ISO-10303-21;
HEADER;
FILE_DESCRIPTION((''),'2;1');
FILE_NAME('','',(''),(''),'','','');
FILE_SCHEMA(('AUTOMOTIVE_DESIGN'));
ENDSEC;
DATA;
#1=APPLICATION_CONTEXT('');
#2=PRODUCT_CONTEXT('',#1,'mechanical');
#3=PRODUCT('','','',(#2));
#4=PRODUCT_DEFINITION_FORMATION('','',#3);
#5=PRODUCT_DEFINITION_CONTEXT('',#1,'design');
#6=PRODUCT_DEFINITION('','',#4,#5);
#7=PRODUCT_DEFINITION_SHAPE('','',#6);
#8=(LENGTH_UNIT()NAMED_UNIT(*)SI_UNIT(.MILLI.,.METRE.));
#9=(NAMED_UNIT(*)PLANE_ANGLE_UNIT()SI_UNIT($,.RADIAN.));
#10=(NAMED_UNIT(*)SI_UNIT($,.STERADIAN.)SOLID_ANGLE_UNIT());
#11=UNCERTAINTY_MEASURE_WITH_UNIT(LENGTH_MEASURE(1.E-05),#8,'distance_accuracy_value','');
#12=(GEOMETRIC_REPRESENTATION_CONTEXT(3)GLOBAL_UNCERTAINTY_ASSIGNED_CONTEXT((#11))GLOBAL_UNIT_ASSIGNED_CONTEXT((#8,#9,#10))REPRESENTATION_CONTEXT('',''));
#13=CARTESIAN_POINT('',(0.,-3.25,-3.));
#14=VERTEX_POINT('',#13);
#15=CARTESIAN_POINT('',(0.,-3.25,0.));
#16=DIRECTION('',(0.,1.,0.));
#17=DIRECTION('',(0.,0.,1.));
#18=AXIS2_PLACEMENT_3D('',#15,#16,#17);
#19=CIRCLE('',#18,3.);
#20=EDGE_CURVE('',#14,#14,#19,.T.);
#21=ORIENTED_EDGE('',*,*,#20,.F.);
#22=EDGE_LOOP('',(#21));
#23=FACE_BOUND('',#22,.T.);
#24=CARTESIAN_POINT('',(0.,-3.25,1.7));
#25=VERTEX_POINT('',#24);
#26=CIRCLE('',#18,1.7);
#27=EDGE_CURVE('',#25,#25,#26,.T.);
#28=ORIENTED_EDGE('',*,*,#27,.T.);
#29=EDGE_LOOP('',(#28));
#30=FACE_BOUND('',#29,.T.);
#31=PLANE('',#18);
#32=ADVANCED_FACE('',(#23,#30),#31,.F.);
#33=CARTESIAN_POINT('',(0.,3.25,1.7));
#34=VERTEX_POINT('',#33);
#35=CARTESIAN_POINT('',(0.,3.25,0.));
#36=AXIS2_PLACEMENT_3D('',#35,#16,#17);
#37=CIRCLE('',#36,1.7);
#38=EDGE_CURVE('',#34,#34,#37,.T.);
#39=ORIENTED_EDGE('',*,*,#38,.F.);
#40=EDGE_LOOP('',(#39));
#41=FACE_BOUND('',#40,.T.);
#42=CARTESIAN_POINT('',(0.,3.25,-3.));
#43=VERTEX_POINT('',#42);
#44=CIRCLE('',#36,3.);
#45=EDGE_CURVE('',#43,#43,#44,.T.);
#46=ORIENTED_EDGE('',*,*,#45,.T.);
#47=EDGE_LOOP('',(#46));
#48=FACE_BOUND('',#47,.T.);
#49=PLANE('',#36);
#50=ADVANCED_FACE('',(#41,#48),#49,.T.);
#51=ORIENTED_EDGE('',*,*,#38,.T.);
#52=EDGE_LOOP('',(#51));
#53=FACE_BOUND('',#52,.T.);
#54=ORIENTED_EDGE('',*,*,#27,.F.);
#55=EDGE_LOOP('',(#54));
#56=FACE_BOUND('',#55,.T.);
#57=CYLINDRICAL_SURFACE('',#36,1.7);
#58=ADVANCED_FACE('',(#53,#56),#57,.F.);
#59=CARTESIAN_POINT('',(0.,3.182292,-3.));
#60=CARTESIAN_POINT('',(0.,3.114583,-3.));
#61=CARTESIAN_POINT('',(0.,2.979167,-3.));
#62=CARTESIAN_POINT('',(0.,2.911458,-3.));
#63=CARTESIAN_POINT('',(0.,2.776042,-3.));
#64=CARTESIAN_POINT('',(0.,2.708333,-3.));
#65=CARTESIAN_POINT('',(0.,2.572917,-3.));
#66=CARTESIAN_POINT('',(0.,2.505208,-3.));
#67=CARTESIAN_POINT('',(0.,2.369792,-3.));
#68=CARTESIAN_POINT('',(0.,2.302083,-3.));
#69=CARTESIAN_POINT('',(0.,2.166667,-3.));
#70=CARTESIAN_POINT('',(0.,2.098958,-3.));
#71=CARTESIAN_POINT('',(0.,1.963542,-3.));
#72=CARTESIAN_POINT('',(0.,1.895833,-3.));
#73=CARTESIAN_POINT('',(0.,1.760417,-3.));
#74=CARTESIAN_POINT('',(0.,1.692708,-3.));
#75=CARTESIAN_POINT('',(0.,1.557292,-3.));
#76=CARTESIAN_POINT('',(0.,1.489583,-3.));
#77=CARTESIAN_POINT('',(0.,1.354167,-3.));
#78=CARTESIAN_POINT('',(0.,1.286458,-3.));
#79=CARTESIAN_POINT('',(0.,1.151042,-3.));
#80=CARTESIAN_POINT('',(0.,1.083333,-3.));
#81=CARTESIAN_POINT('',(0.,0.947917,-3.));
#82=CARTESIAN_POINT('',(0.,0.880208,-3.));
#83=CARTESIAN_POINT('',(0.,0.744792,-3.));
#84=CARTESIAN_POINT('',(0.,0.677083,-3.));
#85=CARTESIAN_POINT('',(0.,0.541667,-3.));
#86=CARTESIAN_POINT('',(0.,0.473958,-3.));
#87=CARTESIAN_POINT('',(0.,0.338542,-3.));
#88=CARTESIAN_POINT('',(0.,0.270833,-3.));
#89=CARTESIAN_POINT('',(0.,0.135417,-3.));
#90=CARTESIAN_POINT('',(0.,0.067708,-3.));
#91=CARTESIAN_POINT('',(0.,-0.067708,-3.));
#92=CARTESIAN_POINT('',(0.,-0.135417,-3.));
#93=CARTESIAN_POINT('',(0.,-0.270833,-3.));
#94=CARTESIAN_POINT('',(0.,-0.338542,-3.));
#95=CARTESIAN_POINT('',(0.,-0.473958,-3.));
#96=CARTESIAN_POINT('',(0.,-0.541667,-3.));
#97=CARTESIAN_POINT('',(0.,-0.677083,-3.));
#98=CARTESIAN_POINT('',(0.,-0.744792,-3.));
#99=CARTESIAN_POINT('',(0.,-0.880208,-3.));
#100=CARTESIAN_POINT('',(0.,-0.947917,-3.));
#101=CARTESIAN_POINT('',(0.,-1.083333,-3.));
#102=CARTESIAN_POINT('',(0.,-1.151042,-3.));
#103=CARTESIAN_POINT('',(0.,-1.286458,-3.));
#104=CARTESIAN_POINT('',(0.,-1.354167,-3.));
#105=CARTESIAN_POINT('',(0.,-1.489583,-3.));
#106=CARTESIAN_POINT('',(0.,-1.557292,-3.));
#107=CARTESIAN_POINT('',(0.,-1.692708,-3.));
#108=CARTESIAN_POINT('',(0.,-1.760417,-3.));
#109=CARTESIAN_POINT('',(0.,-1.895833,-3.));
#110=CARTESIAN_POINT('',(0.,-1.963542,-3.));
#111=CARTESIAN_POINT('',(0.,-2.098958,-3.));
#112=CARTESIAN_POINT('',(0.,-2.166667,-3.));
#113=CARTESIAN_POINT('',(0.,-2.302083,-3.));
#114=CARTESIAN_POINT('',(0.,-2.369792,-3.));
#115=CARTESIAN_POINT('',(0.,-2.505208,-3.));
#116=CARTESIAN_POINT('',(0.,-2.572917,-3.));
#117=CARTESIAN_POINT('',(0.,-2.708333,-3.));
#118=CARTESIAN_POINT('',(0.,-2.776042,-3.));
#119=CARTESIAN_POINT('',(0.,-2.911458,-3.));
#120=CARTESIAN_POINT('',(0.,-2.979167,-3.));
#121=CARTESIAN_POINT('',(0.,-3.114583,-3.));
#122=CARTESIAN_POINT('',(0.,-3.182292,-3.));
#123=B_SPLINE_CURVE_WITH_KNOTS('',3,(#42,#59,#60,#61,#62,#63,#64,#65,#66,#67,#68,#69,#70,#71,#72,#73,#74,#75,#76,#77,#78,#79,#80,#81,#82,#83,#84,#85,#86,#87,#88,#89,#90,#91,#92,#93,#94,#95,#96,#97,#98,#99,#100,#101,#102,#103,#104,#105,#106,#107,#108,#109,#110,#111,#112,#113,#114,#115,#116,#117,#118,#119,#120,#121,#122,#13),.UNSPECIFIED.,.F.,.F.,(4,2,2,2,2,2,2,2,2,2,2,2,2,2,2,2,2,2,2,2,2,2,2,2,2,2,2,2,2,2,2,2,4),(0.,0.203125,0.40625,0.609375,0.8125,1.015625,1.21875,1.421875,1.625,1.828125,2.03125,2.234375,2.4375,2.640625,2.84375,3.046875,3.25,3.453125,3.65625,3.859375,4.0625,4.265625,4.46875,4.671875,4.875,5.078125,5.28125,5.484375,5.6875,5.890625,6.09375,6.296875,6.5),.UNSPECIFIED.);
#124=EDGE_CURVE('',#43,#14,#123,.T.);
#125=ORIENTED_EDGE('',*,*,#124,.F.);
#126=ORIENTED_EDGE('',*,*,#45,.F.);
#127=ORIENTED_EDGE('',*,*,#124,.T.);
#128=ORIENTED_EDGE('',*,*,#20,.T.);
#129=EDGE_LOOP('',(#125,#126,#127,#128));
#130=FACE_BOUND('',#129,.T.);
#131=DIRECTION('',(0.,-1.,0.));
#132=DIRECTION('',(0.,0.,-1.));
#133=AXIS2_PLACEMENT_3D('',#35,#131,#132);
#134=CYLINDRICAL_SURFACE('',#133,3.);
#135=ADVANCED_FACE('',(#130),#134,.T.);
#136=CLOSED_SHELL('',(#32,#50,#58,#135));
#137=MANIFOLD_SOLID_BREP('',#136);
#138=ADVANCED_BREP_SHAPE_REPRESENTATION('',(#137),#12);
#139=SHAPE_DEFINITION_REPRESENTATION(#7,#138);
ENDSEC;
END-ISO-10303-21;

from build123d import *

# Parameters (mm, degrees)
SKETCH1_R            = 3
BOSS_EXTRUDE1_DEPTH  = 3.25
M3_CLEARANCE_HOLE1_D = 3.4


with BuildPart() as part:
    # Sketch1 → Boss-Extrude1 (new, symmetric)
    with BuildSketch(Plane(origin=(0, 0, 0), x_dir=(1, 0, 0), z_dir=(0, 1, 0))):
        with Locations(Location((0, 0, 0), (0, 0, 90))):
            Circle(SKETCH1_R)
    extrude(amount=BOSS_EXTRUDE1_DEPTH, both=True)

    # M3 Clearance Hole1 (through all)
    with Locations(Plane(origin=(0, 3.25, 0), x_dir=(1, 0, 0), z_dir=(0, 1, 0))):
        with Locations((0, 0)):
            Hole(M3_CLEARANCE_HOLE1_D / 2)


solid = part.part
